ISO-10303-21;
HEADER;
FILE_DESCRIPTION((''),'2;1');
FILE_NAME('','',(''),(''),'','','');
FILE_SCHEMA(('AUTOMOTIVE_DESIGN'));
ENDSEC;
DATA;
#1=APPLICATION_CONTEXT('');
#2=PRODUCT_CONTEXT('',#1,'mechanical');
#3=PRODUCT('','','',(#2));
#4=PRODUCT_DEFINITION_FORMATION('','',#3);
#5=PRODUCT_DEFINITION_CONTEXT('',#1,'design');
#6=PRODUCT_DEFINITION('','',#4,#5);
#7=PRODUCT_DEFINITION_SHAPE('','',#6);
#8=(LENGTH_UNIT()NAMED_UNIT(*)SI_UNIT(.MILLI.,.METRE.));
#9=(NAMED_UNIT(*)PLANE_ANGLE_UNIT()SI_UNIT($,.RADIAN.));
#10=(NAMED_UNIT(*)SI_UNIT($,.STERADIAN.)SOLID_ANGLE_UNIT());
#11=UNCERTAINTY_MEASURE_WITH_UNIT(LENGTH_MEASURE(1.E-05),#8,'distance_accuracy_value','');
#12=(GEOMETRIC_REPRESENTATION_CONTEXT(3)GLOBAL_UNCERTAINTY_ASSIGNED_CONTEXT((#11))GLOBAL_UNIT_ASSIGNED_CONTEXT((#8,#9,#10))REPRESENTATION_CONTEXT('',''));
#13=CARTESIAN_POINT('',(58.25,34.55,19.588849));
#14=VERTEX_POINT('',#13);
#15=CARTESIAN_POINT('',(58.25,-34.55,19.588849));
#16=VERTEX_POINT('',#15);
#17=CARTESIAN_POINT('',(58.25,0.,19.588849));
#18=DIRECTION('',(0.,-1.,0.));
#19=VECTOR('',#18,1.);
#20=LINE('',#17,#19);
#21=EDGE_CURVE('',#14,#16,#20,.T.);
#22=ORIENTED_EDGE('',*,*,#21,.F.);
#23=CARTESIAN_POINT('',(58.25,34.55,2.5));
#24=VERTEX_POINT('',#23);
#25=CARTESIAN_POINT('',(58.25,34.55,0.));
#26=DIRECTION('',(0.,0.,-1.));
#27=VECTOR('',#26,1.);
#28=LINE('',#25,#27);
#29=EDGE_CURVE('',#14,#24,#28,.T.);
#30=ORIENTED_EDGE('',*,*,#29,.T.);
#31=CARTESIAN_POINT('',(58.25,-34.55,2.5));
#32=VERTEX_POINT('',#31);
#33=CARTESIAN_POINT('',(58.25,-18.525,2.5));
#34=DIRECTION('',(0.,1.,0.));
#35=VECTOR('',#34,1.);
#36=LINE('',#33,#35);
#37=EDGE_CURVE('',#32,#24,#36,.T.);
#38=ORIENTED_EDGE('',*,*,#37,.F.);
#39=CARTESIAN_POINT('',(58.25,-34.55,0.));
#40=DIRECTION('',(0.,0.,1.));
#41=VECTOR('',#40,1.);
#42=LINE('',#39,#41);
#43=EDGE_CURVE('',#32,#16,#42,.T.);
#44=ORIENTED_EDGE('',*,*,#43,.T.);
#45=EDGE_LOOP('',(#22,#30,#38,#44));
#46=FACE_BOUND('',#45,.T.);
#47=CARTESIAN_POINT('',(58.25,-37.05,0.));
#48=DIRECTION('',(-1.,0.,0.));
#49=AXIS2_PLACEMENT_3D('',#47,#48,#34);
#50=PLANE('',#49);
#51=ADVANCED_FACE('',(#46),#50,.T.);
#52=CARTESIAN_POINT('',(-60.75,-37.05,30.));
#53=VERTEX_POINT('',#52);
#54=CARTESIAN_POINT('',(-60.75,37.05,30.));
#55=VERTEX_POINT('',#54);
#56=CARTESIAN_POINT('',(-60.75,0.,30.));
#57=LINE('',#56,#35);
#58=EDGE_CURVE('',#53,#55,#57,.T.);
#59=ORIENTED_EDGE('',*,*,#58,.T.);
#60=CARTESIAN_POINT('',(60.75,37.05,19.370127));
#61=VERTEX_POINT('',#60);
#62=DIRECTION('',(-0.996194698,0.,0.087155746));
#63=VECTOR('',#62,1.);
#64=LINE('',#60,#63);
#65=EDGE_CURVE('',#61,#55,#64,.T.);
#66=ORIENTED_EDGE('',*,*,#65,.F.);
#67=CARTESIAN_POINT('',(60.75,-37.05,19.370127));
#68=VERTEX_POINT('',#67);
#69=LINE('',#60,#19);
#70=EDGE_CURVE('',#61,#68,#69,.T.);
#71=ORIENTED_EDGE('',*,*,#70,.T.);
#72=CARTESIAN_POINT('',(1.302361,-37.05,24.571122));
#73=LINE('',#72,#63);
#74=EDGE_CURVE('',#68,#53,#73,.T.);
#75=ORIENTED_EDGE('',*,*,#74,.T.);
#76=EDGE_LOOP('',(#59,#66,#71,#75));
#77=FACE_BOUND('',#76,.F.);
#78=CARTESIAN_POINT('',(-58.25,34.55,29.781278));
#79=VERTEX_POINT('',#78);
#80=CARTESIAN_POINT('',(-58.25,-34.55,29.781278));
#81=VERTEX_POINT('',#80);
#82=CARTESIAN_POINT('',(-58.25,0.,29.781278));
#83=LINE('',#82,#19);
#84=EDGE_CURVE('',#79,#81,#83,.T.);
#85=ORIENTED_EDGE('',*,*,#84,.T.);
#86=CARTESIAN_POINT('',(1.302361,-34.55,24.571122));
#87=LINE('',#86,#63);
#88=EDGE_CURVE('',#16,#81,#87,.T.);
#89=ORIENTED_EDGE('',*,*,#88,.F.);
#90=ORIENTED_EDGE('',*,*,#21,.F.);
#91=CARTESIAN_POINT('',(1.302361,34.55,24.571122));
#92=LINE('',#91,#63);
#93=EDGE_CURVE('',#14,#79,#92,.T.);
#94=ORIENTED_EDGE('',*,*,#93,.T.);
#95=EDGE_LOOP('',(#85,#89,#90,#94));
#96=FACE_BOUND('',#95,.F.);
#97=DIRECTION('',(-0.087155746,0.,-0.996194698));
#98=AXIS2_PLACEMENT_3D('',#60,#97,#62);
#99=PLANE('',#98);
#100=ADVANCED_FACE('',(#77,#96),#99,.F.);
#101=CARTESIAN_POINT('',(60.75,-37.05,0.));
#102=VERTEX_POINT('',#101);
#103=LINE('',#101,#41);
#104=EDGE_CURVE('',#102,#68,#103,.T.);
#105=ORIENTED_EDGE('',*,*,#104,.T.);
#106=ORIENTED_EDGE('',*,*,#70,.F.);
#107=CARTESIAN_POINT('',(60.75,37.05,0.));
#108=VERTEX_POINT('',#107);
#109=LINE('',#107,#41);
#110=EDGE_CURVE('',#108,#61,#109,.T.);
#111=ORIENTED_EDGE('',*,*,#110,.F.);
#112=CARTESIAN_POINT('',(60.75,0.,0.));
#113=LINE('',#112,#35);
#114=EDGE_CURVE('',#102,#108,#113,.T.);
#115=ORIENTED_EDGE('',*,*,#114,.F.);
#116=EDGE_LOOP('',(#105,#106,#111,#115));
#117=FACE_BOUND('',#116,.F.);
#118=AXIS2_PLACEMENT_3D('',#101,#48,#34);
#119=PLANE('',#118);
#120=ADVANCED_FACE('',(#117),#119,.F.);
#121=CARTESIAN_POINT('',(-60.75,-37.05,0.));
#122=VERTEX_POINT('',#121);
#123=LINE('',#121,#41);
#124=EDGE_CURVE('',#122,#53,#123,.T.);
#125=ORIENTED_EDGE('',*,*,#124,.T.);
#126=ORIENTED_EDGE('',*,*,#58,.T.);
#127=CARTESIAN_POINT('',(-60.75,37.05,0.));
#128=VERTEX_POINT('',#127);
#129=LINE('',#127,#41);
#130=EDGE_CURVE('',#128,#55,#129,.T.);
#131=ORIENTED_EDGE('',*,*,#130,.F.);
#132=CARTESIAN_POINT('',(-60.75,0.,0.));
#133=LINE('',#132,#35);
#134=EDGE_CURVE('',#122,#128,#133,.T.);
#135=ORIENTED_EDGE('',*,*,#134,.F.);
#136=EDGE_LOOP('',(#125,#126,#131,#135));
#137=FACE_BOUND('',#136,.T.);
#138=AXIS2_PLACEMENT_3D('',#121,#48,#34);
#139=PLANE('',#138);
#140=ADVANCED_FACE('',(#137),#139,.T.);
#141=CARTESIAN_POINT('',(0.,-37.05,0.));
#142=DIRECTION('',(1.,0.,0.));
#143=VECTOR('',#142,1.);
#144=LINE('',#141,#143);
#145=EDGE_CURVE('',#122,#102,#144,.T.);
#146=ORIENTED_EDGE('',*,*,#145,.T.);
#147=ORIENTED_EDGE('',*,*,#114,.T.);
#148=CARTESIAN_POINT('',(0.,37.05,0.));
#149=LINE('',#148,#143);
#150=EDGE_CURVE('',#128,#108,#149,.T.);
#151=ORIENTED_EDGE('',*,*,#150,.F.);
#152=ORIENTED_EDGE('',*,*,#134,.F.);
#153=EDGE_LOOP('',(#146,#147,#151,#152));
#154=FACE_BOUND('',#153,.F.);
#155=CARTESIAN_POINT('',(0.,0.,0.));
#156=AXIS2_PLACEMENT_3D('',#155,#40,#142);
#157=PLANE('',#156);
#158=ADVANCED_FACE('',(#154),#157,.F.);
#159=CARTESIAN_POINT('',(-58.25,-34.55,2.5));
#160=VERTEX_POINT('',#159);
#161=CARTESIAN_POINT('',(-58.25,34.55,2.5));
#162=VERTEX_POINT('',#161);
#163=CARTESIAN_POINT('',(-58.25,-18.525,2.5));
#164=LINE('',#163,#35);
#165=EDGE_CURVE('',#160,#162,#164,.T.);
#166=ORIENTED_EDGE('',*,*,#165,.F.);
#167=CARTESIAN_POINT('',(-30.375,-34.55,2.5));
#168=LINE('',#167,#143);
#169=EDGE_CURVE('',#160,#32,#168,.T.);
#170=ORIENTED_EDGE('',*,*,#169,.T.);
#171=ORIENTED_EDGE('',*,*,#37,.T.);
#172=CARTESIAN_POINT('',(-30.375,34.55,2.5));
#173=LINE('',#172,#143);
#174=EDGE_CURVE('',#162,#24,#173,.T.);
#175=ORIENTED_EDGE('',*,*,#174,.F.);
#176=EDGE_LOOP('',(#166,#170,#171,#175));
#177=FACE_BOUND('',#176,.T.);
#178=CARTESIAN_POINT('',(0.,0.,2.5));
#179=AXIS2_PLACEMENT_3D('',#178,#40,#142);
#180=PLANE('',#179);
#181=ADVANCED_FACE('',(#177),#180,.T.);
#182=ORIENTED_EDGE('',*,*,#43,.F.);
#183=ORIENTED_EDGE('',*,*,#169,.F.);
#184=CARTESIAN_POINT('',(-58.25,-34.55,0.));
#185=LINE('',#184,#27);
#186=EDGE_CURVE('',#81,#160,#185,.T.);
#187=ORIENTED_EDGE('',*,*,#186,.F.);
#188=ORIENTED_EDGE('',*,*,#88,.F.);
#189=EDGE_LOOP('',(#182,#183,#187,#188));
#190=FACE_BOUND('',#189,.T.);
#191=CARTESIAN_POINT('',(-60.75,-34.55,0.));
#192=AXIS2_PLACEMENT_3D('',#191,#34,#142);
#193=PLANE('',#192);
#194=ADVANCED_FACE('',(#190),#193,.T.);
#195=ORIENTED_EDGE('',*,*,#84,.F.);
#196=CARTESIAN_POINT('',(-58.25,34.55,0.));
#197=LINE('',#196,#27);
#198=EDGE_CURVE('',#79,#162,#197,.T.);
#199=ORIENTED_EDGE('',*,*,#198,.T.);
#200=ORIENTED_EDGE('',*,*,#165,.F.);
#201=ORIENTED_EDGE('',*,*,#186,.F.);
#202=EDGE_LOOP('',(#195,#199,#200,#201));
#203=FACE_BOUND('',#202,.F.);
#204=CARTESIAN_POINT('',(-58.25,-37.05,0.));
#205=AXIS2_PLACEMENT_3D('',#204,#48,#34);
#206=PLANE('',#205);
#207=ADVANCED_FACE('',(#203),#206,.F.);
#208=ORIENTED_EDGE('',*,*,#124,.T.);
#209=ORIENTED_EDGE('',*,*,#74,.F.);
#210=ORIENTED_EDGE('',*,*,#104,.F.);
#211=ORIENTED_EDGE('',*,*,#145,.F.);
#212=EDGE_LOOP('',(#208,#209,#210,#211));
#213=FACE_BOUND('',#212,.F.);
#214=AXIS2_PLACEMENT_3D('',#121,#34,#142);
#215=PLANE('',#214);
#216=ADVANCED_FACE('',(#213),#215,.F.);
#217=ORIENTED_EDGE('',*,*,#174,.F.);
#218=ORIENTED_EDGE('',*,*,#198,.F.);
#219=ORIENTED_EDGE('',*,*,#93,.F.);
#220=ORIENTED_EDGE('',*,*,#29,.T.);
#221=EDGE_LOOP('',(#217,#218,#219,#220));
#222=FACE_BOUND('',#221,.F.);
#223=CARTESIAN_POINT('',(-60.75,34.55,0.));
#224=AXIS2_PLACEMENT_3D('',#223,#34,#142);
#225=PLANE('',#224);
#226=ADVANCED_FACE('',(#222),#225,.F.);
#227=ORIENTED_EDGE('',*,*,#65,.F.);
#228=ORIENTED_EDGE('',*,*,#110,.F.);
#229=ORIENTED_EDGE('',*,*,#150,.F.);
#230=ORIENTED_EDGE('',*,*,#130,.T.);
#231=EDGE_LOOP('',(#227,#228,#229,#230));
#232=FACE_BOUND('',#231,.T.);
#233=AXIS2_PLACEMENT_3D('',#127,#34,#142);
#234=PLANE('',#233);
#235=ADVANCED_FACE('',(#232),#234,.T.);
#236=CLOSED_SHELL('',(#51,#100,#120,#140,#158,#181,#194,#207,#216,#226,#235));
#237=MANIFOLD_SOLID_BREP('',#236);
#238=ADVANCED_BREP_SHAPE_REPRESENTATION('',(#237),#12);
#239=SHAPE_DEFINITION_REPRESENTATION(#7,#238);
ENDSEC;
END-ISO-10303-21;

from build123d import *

# Parameters (mm, degrees)
F0_W     = 121.5
F0_H     = 74.1
F1_DEPTH = 30
F2_T     = -2.5
F5_DEPTH = 79.2


with BuildPart() as f1:
    # F0 (on Top) → F1 (new body)
    with BuildSketch(Plane.XY):
        Rectangle(F0_W, F0_H)
    extrude(amount=F1_DEPTH)

    # F2
    f2_openings = [f1.faces().sort_by_distance(p)[0] for p in [
        (0, 0, 30),
    ]]
    offset(amount=F2_T, openings=f2_openings)

    # F3 (on face) → F5 (cut)
    with BuildSketch(Plane(origin=(0, 37.05, 0), x_dir=(-1, 0, 0), z_dir=(0, 1, 0))):
        Polygon((-60.75, 19.370127), (60.75, 30), (-60.75, 30), align=None)
    extrude(amount=-F5_DEPTH, mode=Mode.SUBTRACT)


solid = f1.part
